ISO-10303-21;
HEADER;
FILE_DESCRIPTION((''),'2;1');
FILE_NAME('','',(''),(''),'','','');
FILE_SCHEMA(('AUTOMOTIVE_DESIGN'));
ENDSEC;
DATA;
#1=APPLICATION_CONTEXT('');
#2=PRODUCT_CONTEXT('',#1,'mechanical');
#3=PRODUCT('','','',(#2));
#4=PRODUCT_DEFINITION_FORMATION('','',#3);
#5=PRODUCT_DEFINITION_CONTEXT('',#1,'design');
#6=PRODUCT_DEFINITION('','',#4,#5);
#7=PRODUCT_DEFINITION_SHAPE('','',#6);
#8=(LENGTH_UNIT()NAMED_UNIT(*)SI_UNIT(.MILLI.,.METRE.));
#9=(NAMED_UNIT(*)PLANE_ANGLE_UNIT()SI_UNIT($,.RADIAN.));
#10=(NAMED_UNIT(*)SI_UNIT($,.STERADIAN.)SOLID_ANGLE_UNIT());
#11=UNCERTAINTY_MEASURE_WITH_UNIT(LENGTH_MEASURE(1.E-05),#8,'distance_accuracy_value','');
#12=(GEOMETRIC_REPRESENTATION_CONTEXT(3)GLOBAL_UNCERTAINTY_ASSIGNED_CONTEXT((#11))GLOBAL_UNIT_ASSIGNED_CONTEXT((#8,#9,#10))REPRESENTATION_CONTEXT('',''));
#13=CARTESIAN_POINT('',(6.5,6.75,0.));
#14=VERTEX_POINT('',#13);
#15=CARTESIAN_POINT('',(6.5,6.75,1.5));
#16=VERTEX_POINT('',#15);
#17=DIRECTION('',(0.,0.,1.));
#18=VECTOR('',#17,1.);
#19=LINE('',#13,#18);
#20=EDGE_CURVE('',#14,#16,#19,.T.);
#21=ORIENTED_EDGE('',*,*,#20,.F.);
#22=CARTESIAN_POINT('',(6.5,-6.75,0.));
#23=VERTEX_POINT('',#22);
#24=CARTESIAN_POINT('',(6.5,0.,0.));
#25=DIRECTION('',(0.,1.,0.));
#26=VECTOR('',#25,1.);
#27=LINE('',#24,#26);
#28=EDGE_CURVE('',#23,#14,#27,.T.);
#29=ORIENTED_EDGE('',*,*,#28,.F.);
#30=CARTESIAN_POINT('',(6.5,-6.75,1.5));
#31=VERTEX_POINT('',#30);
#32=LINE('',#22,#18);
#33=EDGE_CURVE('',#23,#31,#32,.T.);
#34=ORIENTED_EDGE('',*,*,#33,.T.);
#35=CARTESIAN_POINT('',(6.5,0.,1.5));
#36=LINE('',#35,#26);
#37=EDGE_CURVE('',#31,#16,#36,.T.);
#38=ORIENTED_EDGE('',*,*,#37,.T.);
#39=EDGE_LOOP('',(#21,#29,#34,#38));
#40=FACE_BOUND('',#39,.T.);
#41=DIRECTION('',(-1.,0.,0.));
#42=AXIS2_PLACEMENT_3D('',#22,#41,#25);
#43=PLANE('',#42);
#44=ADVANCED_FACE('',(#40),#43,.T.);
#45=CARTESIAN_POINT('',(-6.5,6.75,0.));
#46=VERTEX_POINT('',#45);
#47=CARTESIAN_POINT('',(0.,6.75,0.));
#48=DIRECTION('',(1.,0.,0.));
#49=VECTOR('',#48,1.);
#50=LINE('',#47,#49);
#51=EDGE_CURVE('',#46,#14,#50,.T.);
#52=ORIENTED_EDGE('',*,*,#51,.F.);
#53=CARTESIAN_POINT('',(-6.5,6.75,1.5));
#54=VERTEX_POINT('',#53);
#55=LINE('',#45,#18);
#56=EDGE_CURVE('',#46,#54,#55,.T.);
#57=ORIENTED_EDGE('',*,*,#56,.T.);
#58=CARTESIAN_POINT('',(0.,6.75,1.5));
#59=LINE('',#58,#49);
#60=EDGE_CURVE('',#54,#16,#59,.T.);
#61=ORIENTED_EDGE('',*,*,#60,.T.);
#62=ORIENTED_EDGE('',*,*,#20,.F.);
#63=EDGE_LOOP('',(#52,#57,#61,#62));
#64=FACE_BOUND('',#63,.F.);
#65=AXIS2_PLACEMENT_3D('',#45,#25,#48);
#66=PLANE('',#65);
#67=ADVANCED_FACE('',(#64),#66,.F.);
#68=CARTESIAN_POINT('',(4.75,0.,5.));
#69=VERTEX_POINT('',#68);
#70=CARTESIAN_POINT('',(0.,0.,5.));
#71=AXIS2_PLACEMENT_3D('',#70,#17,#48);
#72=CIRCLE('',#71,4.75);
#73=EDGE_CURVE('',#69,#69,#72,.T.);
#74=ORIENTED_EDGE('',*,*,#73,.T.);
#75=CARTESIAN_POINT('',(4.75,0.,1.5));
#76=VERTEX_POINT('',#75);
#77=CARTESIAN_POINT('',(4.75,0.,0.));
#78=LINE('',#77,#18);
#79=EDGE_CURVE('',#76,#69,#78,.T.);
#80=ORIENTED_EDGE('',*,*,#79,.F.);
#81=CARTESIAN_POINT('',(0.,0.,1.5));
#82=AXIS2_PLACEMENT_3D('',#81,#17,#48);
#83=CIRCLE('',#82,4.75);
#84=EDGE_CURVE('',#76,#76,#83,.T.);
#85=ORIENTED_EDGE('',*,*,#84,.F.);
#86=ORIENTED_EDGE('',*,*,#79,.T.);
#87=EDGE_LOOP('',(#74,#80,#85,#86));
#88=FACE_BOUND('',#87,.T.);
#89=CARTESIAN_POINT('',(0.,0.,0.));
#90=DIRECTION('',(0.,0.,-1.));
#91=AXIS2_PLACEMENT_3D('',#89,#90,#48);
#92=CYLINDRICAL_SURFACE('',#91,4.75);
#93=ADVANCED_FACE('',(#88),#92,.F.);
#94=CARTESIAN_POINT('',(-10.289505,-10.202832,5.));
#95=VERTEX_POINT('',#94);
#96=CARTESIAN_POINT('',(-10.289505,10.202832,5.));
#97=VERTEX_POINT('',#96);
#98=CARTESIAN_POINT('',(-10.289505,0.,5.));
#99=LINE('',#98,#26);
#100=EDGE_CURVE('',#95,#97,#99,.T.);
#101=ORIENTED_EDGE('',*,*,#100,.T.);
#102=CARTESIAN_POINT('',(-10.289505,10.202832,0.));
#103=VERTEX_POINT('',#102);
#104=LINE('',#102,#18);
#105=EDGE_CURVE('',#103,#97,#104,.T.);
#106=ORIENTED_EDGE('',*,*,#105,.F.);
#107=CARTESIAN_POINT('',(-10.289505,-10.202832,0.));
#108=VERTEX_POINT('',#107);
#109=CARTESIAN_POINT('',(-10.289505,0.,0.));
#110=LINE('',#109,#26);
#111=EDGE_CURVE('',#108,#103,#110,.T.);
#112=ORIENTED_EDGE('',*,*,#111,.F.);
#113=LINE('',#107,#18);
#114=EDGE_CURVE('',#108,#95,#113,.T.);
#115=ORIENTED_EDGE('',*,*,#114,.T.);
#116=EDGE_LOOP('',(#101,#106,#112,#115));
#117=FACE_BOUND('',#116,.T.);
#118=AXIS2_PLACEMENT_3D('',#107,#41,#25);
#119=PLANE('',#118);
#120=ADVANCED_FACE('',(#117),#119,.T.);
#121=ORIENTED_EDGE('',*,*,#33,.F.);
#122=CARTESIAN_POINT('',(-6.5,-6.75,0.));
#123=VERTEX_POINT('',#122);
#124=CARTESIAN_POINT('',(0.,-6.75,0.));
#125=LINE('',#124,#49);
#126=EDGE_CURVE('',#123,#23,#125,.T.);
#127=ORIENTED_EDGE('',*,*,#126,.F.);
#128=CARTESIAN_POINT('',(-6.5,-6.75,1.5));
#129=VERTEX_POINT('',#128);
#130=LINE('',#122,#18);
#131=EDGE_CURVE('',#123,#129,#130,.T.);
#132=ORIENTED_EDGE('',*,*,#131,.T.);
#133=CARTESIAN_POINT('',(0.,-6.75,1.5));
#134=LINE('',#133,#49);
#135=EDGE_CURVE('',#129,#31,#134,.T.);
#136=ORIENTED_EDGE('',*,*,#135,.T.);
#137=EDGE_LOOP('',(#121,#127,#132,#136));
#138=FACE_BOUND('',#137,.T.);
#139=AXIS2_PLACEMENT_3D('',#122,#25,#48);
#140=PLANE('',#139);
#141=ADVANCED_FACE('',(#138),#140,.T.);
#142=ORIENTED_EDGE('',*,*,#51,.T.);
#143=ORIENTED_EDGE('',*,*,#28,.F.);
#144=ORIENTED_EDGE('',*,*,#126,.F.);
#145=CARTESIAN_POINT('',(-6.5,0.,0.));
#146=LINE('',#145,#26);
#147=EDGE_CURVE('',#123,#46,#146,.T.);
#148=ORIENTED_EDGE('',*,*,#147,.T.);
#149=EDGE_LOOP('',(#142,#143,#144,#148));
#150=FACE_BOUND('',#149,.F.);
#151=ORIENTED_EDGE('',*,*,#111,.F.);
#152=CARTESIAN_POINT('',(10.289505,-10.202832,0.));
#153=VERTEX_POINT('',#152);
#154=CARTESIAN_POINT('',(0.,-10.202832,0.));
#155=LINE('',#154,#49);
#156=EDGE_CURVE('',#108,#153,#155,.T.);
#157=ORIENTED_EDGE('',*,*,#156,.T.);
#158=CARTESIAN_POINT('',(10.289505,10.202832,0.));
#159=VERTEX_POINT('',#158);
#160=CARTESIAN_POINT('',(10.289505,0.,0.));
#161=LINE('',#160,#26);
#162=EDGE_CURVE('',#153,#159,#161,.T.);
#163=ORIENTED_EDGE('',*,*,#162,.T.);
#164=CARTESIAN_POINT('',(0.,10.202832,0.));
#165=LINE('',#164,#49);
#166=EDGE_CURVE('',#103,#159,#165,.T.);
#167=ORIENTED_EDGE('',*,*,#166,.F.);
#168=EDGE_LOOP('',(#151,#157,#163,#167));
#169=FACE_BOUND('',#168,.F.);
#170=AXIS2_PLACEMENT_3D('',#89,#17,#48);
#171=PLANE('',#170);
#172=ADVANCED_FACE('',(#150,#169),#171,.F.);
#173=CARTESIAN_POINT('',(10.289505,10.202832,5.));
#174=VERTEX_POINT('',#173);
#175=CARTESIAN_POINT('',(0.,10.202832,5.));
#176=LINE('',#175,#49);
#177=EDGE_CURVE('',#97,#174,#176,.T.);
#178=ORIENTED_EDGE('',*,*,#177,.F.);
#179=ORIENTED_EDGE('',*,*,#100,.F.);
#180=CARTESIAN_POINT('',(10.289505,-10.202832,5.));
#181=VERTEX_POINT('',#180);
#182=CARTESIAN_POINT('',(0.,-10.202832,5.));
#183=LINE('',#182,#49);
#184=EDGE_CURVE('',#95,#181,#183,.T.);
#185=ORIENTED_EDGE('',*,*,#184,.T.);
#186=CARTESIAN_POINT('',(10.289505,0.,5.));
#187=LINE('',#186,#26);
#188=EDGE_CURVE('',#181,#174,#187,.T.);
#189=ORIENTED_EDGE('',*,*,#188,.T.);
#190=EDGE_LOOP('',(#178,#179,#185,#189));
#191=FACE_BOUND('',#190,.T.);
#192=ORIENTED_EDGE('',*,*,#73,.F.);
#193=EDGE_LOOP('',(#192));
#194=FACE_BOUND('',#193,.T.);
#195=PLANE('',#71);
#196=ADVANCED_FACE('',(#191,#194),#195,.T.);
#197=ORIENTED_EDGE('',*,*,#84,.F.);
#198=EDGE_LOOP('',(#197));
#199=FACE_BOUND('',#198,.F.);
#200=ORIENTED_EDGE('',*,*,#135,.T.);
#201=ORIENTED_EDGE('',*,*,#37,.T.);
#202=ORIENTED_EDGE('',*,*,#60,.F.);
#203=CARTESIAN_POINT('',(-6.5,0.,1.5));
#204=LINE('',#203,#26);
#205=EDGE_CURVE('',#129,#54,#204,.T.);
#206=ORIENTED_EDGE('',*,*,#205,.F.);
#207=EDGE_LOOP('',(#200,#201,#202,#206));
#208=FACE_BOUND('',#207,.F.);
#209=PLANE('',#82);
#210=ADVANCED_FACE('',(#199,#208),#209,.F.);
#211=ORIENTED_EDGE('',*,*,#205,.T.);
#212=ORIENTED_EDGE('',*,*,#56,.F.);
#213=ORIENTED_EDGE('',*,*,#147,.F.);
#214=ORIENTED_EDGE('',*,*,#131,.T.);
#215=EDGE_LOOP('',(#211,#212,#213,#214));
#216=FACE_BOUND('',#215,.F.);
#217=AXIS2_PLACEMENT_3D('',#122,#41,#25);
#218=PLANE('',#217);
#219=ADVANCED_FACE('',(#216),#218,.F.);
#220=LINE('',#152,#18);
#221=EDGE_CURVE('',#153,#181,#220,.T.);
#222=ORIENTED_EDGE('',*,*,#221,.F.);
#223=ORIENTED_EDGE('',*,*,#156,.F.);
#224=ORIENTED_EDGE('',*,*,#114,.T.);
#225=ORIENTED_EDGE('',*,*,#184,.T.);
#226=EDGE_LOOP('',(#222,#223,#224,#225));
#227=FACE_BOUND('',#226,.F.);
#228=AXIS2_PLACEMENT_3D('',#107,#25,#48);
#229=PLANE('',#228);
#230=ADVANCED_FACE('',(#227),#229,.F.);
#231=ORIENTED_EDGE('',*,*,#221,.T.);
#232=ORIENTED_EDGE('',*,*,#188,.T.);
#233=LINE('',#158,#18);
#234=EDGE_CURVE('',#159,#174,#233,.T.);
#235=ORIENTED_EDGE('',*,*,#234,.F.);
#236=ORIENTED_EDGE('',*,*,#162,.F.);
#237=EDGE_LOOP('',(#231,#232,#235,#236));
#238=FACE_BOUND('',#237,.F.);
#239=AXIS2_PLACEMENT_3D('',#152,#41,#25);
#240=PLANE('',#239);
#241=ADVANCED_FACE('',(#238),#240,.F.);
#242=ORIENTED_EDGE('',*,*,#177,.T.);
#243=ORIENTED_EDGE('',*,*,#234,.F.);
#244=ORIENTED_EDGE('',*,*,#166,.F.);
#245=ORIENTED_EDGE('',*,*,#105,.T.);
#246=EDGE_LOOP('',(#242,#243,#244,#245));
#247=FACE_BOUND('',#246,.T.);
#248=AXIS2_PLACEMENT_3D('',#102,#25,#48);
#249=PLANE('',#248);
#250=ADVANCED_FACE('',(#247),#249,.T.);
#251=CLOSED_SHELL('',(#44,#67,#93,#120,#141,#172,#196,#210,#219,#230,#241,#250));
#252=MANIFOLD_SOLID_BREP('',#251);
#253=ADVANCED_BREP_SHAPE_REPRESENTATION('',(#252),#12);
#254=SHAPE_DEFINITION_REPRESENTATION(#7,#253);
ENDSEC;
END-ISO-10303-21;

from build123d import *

# Parameters (mm, degrees)
F0_W     = 20.5790107138
F0_H     = 20.4056631774
F0_W_2   = 13
F0_H_2   = 13.5
F0_R     = 4.75
F1_DEPTH = 5
F2_DEPTH = 1.5


with BuildPart() as f1:
    # F0 (on Top) → F1 (new body)
    with BuildSketch(Plane.XY):
        Rectangle(F0_W, F0_H)
        Rectangle(F0_W_2, F0_H_2, mode=Mode.SUBTRACT)
        Rectangle(F0_W_2, F0_H_2)
        Circle(F0_R, mode=Mode.SUBTRACT)
    extrude(amount=F1_DEPTH)

    # F0 (on Top) → F2 (cut)
    with BuildSketch(Plane.XY):
        Rectangle(F0_W_2, F0_H_2)
        Circle(F0_R, mode=Mode.SUBTRACT)
    extrude(amount=F2_DEPTH, mode=Mode.SUBTRACT)


solid = f1.part
